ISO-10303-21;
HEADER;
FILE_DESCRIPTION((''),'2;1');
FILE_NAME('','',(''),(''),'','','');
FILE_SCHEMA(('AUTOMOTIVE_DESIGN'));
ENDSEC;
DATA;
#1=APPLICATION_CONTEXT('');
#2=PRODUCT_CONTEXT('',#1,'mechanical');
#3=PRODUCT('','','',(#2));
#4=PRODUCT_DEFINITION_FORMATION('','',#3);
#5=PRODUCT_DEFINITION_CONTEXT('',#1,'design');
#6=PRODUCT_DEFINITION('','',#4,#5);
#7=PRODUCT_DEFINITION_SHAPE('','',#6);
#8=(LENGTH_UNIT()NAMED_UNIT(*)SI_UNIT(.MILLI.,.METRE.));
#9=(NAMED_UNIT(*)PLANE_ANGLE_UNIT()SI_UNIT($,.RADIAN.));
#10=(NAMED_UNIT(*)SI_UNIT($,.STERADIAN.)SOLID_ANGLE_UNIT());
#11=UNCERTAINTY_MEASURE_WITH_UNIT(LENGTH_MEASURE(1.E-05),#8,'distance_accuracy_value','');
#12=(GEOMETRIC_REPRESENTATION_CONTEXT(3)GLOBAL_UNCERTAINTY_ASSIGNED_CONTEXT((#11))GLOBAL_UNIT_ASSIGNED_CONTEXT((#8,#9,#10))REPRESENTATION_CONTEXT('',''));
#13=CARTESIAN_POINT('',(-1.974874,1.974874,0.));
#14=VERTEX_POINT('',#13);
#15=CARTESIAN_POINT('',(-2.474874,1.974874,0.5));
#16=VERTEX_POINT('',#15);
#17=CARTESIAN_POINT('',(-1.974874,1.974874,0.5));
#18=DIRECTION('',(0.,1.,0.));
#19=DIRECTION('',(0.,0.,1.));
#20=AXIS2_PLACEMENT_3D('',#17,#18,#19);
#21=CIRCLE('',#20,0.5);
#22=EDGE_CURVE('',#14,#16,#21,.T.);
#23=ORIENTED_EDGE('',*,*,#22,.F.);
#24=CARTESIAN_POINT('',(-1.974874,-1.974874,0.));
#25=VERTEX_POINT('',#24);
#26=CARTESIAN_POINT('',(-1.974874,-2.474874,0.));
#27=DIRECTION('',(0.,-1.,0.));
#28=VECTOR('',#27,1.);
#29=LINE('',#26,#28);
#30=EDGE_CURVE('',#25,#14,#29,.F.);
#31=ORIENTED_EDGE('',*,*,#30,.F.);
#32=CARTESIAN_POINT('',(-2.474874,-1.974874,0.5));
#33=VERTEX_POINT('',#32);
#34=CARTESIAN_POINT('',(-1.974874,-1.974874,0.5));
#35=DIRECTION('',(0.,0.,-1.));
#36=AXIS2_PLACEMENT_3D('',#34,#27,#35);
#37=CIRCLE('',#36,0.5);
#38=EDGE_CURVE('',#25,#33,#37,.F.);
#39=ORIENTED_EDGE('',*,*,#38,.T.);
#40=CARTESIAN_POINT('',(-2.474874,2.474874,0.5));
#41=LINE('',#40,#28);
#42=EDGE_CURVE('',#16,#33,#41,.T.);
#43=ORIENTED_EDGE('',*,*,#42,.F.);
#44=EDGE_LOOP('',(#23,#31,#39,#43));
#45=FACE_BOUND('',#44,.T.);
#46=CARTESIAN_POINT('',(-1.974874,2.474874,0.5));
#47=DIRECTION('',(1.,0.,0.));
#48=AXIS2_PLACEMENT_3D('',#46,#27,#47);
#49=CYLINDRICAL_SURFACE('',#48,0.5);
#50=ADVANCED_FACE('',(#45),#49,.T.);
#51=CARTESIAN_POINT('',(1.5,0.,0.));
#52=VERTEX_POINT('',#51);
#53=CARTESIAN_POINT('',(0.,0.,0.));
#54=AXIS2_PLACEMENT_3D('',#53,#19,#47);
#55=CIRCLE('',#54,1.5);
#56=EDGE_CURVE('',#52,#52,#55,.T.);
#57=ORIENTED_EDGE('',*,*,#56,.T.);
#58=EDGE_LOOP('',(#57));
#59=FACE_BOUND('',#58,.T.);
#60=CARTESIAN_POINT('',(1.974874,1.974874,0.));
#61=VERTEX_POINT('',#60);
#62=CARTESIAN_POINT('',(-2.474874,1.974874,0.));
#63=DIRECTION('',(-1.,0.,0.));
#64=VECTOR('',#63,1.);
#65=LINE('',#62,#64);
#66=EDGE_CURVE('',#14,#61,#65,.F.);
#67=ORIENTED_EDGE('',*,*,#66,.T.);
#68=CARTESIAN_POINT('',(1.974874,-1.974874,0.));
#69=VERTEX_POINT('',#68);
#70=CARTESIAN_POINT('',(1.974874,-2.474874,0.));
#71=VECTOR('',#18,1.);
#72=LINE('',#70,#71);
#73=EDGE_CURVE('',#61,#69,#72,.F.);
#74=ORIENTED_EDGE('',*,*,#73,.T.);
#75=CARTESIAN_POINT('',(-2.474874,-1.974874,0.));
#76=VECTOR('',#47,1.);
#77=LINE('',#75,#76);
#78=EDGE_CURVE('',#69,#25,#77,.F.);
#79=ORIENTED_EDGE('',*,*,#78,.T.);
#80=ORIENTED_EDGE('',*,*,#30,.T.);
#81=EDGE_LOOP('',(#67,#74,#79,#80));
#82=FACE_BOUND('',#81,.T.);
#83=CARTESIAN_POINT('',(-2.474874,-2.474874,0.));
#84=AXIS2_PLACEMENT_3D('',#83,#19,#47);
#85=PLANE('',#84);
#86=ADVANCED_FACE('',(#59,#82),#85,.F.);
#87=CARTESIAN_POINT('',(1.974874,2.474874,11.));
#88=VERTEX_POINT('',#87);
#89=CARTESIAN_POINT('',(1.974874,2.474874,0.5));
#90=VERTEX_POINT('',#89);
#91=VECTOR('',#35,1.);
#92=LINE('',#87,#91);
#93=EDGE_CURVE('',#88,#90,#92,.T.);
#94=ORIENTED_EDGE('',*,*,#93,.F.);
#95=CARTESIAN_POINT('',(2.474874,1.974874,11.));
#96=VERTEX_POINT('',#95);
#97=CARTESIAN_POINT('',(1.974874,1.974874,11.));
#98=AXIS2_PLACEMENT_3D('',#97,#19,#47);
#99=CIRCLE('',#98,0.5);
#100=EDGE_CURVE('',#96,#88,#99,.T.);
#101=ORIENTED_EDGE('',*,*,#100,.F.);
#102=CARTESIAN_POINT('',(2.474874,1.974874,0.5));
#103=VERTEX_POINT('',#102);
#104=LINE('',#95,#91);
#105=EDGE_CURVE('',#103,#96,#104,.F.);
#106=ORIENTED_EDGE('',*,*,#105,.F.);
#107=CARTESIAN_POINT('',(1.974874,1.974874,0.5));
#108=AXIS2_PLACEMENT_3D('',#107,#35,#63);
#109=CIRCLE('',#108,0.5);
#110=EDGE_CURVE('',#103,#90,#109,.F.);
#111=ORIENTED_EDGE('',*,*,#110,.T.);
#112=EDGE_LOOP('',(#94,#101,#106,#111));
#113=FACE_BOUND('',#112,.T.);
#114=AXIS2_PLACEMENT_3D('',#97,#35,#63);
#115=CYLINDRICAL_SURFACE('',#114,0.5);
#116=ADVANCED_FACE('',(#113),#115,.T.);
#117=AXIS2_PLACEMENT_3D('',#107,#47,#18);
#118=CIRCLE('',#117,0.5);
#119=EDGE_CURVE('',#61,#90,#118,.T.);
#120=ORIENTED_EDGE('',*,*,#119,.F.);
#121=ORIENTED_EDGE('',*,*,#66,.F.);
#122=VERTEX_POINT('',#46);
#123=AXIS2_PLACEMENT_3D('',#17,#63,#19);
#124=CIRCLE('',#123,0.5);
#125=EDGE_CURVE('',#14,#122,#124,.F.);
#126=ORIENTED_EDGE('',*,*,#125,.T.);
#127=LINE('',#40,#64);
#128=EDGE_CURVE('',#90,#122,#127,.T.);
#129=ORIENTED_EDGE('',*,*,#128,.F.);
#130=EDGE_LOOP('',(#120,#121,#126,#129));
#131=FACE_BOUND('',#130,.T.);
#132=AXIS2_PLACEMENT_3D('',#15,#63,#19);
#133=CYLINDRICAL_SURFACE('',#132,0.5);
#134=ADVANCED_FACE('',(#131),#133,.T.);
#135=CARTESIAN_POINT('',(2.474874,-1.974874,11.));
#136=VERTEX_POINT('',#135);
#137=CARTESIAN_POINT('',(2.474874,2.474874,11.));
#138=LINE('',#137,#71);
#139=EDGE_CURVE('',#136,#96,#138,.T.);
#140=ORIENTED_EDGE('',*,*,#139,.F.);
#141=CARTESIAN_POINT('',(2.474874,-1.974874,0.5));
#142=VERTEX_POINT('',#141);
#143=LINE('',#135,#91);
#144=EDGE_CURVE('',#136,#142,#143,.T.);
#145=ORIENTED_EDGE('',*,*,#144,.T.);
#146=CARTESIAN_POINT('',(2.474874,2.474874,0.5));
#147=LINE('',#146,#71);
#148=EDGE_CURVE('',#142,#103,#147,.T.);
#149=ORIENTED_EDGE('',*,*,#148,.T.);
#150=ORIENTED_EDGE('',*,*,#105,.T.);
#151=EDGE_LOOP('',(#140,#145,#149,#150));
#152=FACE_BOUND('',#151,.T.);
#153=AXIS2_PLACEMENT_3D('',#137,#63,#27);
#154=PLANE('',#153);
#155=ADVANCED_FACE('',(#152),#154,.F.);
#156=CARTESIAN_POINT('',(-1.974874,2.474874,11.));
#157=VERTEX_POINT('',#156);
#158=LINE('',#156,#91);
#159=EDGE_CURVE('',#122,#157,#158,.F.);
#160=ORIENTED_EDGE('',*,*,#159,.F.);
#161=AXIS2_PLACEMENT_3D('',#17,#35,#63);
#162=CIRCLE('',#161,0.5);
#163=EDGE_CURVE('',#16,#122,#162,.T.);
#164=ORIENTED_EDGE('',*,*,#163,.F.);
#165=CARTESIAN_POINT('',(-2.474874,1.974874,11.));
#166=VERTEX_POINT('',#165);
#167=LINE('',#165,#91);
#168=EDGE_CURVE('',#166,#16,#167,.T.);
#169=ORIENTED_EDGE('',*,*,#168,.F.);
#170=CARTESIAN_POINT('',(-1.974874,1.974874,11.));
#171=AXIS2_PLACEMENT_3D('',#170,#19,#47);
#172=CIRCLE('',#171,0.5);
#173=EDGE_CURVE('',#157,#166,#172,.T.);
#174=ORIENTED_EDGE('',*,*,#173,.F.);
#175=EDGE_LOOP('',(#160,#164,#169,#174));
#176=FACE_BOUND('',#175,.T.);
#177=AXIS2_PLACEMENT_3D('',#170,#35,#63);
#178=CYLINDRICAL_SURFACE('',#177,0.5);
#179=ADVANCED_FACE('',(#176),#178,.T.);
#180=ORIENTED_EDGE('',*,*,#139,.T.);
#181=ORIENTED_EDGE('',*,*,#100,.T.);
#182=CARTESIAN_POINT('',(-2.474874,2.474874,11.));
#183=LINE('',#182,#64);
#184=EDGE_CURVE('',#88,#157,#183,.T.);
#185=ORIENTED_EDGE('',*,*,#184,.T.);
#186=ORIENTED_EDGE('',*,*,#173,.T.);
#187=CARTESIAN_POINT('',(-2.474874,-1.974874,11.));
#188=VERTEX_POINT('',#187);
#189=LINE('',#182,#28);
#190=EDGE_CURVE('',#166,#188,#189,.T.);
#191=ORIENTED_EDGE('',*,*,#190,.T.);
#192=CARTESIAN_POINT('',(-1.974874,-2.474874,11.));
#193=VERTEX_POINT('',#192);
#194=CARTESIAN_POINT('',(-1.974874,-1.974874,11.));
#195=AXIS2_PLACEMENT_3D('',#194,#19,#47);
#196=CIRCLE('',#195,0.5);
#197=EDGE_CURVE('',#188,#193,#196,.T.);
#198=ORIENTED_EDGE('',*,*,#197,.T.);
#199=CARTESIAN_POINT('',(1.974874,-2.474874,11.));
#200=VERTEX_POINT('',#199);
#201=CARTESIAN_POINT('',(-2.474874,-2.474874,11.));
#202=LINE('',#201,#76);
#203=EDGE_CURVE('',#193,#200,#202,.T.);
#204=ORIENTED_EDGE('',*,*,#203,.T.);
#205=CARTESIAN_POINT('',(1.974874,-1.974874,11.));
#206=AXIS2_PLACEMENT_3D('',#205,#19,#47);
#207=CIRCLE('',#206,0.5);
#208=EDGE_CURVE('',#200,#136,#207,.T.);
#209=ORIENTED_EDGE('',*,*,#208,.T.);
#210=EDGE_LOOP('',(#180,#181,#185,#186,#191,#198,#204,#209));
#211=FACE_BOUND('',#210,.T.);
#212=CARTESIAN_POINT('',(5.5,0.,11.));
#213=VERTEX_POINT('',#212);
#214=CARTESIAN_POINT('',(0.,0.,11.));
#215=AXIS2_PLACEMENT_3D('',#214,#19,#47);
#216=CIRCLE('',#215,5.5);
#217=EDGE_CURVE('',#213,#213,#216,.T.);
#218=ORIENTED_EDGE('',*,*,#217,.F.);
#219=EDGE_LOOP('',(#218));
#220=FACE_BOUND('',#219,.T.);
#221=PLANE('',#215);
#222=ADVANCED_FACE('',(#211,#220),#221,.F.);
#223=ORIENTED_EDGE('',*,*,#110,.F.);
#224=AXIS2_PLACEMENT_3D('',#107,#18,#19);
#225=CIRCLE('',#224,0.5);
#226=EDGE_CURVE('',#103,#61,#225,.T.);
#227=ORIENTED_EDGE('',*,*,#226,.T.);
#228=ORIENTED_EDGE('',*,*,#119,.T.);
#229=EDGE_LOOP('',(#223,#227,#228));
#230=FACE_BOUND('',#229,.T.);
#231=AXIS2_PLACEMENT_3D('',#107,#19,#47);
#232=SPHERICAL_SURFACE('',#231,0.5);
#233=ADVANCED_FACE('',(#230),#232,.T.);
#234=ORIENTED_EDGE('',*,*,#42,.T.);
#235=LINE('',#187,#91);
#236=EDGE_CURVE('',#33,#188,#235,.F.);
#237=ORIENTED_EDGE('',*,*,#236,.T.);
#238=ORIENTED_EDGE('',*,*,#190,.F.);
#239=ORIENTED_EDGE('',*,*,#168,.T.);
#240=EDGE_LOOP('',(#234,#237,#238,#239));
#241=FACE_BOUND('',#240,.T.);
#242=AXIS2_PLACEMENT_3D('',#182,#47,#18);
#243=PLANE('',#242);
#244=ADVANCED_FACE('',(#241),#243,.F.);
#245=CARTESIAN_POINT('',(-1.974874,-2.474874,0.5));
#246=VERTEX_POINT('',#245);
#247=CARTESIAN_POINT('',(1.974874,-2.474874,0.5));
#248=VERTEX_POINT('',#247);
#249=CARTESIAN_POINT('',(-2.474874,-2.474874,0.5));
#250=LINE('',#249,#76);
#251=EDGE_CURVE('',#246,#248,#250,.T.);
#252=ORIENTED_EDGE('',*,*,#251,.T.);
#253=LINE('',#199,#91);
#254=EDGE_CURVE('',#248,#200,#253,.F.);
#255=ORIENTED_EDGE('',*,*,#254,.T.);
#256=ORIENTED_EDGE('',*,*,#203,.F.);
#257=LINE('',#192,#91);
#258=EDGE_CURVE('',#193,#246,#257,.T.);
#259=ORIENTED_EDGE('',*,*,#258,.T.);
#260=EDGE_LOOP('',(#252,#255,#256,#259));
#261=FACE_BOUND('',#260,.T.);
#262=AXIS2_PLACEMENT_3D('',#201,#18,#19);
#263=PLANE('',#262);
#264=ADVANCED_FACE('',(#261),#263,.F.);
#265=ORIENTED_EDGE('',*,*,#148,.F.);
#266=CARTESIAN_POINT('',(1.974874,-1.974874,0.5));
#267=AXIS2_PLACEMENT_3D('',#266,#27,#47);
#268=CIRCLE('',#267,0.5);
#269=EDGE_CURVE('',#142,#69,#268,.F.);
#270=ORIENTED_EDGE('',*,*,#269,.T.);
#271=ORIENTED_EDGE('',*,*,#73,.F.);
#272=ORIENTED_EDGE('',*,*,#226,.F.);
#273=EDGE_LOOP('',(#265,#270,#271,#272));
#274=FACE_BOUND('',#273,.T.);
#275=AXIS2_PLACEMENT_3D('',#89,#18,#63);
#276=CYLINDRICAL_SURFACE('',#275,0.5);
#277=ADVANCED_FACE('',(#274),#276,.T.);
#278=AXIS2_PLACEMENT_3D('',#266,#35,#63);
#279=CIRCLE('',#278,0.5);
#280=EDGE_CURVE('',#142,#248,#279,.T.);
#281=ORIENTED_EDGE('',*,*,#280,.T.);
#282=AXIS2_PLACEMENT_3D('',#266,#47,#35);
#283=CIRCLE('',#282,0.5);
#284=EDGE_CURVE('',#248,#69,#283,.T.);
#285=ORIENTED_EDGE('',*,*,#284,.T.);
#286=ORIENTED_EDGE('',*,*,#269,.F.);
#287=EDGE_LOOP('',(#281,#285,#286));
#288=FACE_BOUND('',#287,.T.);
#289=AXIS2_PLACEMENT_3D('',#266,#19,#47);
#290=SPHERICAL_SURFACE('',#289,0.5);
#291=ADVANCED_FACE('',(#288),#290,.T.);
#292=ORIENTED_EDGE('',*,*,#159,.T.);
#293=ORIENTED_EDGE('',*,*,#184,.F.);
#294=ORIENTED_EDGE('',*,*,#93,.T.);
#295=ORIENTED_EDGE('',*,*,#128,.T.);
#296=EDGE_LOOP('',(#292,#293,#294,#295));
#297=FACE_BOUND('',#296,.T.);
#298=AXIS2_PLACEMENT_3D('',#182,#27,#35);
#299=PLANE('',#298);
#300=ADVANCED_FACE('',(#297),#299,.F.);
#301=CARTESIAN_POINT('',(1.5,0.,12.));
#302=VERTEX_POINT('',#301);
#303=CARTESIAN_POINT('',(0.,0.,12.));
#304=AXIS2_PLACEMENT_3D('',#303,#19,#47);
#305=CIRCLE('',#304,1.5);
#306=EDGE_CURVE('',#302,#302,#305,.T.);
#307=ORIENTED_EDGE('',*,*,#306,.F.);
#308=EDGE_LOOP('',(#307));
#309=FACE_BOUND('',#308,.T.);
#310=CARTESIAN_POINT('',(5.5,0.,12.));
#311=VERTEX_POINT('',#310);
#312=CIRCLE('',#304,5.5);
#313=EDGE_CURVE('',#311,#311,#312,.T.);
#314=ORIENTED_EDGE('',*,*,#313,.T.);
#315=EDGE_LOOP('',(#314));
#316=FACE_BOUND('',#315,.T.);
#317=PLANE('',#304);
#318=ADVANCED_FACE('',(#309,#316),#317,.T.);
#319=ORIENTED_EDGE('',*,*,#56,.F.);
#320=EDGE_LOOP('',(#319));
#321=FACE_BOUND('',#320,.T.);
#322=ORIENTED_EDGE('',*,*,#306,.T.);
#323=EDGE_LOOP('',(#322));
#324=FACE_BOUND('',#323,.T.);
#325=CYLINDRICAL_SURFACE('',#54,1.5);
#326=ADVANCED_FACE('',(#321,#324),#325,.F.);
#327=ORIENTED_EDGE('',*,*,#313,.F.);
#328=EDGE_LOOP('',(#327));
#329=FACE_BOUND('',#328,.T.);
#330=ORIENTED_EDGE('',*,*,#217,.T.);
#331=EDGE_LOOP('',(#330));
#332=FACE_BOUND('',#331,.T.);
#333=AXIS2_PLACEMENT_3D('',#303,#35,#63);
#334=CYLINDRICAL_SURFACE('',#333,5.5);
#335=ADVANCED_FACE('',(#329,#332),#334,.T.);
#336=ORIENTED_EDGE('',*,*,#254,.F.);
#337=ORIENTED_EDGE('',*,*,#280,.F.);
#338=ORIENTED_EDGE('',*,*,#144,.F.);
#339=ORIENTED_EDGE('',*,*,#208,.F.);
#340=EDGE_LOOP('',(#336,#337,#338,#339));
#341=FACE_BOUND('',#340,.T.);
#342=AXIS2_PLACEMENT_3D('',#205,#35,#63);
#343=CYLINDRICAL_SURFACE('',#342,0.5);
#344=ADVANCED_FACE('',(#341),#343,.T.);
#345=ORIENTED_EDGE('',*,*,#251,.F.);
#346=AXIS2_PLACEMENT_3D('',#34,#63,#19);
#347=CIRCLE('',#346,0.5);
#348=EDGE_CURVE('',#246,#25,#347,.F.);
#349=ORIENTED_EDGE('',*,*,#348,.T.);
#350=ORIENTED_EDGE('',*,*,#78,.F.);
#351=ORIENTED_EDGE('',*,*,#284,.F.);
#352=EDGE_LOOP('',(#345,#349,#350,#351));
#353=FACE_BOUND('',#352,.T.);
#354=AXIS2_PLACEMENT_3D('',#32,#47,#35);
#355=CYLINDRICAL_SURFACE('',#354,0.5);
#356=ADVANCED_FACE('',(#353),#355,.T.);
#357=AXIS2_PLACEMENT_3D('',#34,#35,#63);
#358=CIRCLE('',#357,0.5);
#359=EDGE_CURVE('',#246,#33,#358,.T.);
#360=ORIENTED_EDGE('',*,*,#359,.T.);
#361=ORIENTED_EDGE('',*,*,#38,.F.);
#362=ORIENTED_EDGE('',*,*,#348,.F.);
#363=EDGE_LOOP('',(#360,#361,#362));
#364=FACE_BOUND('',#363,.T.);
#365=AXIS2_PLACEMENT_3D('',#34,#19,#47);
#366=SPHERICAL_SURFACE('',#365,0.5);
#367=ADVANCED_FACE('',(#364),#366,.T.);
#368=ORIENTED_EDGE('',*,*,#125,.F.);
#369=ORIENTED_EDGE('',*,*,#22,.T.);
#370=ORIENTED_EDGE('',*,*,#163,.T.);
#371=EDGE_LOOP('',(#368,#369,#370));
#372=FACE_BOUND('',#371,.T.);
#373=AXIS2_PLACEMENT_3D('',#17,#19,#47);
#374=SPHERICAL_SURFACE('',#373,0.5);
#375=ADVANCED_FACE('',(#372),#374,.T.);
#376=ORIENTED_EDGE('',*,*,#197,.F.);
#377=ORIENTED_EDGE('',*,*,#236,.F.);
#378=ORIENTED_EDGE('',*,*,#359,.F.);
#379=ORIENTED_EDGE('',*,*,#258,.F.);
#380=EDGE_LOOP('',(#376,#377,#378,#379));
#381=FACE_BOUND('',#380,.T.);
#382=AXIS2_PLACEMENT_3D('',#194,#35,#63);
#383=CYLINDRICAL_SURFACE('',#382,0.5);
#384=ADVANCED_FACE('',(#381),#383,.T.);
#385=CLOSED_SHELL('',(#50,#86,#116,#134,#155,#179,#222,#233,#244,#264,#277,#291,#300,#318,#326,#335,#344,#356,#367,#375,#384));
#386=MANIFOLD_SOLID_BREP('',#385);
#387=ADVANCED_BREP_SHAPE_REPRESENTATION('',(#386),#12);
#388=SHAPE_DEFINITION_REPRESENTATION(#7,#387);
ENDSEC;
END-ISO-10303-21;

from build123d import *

# Parameters (mm, degrees)
ESQUISSE1_W      = 4.949747468
ESQUISSE1_H      = 4.949747468
EXTRUSION1_DEPTH = 11
ESQUISSE2_R      = 5.5
EXTRUSION2_DEPTH = 1
ESQUISSE3_R      = 1.5
EXTRUSION3_DEPTH = 15.300349646
CONG_1_R         = 0.5


with BuildPart() as part:
    # Esquisse1 → Extrusion1 (new body)
    with BuildSketch(Plane.XY):
        Rectangle(ESQUISSE1_W, ESQUISSE1_H)
    extrude(amount=EXTRUSION1_DEPTH)

    # Esquisse2 → Extrusion2 (add)
    with BuildSketch(Plane.XY.offset(11)):
        Circle(ESQUISSE2_R)
    extrude(amount=EXTRUSION2_DEPTH)

    # Esquisse3 → Extrusion3 (cut, through all)
    with BuildSketch(Plane.XY.offset(12)):
        Circle(ESQUISSE3_R)
    extrude(amount=-EXTRUSION3_DEPTH, mode=Mode.SUBTRACT)

    # Congé1
    cong_1_edges = [part.edges().sort_by_distance(p)[0] for p in [
        (0, 2.474873734, 0),
        (2.474873734, 0, 0),
        (0, -2.474873734, 0),
        (-2.474873734, 0, 0),
        (-2.474873734, 2.474873734, 5.5),
        (2.474873734, 2.474873734, 5.5),
        (2.474873734, -2.474873734, 5.5),
        (-2.474873734, -2.474873734, 5.5),
    ]]
    fillet(cong_1_edges, radius=CONG_1_R)


solid = part.part
